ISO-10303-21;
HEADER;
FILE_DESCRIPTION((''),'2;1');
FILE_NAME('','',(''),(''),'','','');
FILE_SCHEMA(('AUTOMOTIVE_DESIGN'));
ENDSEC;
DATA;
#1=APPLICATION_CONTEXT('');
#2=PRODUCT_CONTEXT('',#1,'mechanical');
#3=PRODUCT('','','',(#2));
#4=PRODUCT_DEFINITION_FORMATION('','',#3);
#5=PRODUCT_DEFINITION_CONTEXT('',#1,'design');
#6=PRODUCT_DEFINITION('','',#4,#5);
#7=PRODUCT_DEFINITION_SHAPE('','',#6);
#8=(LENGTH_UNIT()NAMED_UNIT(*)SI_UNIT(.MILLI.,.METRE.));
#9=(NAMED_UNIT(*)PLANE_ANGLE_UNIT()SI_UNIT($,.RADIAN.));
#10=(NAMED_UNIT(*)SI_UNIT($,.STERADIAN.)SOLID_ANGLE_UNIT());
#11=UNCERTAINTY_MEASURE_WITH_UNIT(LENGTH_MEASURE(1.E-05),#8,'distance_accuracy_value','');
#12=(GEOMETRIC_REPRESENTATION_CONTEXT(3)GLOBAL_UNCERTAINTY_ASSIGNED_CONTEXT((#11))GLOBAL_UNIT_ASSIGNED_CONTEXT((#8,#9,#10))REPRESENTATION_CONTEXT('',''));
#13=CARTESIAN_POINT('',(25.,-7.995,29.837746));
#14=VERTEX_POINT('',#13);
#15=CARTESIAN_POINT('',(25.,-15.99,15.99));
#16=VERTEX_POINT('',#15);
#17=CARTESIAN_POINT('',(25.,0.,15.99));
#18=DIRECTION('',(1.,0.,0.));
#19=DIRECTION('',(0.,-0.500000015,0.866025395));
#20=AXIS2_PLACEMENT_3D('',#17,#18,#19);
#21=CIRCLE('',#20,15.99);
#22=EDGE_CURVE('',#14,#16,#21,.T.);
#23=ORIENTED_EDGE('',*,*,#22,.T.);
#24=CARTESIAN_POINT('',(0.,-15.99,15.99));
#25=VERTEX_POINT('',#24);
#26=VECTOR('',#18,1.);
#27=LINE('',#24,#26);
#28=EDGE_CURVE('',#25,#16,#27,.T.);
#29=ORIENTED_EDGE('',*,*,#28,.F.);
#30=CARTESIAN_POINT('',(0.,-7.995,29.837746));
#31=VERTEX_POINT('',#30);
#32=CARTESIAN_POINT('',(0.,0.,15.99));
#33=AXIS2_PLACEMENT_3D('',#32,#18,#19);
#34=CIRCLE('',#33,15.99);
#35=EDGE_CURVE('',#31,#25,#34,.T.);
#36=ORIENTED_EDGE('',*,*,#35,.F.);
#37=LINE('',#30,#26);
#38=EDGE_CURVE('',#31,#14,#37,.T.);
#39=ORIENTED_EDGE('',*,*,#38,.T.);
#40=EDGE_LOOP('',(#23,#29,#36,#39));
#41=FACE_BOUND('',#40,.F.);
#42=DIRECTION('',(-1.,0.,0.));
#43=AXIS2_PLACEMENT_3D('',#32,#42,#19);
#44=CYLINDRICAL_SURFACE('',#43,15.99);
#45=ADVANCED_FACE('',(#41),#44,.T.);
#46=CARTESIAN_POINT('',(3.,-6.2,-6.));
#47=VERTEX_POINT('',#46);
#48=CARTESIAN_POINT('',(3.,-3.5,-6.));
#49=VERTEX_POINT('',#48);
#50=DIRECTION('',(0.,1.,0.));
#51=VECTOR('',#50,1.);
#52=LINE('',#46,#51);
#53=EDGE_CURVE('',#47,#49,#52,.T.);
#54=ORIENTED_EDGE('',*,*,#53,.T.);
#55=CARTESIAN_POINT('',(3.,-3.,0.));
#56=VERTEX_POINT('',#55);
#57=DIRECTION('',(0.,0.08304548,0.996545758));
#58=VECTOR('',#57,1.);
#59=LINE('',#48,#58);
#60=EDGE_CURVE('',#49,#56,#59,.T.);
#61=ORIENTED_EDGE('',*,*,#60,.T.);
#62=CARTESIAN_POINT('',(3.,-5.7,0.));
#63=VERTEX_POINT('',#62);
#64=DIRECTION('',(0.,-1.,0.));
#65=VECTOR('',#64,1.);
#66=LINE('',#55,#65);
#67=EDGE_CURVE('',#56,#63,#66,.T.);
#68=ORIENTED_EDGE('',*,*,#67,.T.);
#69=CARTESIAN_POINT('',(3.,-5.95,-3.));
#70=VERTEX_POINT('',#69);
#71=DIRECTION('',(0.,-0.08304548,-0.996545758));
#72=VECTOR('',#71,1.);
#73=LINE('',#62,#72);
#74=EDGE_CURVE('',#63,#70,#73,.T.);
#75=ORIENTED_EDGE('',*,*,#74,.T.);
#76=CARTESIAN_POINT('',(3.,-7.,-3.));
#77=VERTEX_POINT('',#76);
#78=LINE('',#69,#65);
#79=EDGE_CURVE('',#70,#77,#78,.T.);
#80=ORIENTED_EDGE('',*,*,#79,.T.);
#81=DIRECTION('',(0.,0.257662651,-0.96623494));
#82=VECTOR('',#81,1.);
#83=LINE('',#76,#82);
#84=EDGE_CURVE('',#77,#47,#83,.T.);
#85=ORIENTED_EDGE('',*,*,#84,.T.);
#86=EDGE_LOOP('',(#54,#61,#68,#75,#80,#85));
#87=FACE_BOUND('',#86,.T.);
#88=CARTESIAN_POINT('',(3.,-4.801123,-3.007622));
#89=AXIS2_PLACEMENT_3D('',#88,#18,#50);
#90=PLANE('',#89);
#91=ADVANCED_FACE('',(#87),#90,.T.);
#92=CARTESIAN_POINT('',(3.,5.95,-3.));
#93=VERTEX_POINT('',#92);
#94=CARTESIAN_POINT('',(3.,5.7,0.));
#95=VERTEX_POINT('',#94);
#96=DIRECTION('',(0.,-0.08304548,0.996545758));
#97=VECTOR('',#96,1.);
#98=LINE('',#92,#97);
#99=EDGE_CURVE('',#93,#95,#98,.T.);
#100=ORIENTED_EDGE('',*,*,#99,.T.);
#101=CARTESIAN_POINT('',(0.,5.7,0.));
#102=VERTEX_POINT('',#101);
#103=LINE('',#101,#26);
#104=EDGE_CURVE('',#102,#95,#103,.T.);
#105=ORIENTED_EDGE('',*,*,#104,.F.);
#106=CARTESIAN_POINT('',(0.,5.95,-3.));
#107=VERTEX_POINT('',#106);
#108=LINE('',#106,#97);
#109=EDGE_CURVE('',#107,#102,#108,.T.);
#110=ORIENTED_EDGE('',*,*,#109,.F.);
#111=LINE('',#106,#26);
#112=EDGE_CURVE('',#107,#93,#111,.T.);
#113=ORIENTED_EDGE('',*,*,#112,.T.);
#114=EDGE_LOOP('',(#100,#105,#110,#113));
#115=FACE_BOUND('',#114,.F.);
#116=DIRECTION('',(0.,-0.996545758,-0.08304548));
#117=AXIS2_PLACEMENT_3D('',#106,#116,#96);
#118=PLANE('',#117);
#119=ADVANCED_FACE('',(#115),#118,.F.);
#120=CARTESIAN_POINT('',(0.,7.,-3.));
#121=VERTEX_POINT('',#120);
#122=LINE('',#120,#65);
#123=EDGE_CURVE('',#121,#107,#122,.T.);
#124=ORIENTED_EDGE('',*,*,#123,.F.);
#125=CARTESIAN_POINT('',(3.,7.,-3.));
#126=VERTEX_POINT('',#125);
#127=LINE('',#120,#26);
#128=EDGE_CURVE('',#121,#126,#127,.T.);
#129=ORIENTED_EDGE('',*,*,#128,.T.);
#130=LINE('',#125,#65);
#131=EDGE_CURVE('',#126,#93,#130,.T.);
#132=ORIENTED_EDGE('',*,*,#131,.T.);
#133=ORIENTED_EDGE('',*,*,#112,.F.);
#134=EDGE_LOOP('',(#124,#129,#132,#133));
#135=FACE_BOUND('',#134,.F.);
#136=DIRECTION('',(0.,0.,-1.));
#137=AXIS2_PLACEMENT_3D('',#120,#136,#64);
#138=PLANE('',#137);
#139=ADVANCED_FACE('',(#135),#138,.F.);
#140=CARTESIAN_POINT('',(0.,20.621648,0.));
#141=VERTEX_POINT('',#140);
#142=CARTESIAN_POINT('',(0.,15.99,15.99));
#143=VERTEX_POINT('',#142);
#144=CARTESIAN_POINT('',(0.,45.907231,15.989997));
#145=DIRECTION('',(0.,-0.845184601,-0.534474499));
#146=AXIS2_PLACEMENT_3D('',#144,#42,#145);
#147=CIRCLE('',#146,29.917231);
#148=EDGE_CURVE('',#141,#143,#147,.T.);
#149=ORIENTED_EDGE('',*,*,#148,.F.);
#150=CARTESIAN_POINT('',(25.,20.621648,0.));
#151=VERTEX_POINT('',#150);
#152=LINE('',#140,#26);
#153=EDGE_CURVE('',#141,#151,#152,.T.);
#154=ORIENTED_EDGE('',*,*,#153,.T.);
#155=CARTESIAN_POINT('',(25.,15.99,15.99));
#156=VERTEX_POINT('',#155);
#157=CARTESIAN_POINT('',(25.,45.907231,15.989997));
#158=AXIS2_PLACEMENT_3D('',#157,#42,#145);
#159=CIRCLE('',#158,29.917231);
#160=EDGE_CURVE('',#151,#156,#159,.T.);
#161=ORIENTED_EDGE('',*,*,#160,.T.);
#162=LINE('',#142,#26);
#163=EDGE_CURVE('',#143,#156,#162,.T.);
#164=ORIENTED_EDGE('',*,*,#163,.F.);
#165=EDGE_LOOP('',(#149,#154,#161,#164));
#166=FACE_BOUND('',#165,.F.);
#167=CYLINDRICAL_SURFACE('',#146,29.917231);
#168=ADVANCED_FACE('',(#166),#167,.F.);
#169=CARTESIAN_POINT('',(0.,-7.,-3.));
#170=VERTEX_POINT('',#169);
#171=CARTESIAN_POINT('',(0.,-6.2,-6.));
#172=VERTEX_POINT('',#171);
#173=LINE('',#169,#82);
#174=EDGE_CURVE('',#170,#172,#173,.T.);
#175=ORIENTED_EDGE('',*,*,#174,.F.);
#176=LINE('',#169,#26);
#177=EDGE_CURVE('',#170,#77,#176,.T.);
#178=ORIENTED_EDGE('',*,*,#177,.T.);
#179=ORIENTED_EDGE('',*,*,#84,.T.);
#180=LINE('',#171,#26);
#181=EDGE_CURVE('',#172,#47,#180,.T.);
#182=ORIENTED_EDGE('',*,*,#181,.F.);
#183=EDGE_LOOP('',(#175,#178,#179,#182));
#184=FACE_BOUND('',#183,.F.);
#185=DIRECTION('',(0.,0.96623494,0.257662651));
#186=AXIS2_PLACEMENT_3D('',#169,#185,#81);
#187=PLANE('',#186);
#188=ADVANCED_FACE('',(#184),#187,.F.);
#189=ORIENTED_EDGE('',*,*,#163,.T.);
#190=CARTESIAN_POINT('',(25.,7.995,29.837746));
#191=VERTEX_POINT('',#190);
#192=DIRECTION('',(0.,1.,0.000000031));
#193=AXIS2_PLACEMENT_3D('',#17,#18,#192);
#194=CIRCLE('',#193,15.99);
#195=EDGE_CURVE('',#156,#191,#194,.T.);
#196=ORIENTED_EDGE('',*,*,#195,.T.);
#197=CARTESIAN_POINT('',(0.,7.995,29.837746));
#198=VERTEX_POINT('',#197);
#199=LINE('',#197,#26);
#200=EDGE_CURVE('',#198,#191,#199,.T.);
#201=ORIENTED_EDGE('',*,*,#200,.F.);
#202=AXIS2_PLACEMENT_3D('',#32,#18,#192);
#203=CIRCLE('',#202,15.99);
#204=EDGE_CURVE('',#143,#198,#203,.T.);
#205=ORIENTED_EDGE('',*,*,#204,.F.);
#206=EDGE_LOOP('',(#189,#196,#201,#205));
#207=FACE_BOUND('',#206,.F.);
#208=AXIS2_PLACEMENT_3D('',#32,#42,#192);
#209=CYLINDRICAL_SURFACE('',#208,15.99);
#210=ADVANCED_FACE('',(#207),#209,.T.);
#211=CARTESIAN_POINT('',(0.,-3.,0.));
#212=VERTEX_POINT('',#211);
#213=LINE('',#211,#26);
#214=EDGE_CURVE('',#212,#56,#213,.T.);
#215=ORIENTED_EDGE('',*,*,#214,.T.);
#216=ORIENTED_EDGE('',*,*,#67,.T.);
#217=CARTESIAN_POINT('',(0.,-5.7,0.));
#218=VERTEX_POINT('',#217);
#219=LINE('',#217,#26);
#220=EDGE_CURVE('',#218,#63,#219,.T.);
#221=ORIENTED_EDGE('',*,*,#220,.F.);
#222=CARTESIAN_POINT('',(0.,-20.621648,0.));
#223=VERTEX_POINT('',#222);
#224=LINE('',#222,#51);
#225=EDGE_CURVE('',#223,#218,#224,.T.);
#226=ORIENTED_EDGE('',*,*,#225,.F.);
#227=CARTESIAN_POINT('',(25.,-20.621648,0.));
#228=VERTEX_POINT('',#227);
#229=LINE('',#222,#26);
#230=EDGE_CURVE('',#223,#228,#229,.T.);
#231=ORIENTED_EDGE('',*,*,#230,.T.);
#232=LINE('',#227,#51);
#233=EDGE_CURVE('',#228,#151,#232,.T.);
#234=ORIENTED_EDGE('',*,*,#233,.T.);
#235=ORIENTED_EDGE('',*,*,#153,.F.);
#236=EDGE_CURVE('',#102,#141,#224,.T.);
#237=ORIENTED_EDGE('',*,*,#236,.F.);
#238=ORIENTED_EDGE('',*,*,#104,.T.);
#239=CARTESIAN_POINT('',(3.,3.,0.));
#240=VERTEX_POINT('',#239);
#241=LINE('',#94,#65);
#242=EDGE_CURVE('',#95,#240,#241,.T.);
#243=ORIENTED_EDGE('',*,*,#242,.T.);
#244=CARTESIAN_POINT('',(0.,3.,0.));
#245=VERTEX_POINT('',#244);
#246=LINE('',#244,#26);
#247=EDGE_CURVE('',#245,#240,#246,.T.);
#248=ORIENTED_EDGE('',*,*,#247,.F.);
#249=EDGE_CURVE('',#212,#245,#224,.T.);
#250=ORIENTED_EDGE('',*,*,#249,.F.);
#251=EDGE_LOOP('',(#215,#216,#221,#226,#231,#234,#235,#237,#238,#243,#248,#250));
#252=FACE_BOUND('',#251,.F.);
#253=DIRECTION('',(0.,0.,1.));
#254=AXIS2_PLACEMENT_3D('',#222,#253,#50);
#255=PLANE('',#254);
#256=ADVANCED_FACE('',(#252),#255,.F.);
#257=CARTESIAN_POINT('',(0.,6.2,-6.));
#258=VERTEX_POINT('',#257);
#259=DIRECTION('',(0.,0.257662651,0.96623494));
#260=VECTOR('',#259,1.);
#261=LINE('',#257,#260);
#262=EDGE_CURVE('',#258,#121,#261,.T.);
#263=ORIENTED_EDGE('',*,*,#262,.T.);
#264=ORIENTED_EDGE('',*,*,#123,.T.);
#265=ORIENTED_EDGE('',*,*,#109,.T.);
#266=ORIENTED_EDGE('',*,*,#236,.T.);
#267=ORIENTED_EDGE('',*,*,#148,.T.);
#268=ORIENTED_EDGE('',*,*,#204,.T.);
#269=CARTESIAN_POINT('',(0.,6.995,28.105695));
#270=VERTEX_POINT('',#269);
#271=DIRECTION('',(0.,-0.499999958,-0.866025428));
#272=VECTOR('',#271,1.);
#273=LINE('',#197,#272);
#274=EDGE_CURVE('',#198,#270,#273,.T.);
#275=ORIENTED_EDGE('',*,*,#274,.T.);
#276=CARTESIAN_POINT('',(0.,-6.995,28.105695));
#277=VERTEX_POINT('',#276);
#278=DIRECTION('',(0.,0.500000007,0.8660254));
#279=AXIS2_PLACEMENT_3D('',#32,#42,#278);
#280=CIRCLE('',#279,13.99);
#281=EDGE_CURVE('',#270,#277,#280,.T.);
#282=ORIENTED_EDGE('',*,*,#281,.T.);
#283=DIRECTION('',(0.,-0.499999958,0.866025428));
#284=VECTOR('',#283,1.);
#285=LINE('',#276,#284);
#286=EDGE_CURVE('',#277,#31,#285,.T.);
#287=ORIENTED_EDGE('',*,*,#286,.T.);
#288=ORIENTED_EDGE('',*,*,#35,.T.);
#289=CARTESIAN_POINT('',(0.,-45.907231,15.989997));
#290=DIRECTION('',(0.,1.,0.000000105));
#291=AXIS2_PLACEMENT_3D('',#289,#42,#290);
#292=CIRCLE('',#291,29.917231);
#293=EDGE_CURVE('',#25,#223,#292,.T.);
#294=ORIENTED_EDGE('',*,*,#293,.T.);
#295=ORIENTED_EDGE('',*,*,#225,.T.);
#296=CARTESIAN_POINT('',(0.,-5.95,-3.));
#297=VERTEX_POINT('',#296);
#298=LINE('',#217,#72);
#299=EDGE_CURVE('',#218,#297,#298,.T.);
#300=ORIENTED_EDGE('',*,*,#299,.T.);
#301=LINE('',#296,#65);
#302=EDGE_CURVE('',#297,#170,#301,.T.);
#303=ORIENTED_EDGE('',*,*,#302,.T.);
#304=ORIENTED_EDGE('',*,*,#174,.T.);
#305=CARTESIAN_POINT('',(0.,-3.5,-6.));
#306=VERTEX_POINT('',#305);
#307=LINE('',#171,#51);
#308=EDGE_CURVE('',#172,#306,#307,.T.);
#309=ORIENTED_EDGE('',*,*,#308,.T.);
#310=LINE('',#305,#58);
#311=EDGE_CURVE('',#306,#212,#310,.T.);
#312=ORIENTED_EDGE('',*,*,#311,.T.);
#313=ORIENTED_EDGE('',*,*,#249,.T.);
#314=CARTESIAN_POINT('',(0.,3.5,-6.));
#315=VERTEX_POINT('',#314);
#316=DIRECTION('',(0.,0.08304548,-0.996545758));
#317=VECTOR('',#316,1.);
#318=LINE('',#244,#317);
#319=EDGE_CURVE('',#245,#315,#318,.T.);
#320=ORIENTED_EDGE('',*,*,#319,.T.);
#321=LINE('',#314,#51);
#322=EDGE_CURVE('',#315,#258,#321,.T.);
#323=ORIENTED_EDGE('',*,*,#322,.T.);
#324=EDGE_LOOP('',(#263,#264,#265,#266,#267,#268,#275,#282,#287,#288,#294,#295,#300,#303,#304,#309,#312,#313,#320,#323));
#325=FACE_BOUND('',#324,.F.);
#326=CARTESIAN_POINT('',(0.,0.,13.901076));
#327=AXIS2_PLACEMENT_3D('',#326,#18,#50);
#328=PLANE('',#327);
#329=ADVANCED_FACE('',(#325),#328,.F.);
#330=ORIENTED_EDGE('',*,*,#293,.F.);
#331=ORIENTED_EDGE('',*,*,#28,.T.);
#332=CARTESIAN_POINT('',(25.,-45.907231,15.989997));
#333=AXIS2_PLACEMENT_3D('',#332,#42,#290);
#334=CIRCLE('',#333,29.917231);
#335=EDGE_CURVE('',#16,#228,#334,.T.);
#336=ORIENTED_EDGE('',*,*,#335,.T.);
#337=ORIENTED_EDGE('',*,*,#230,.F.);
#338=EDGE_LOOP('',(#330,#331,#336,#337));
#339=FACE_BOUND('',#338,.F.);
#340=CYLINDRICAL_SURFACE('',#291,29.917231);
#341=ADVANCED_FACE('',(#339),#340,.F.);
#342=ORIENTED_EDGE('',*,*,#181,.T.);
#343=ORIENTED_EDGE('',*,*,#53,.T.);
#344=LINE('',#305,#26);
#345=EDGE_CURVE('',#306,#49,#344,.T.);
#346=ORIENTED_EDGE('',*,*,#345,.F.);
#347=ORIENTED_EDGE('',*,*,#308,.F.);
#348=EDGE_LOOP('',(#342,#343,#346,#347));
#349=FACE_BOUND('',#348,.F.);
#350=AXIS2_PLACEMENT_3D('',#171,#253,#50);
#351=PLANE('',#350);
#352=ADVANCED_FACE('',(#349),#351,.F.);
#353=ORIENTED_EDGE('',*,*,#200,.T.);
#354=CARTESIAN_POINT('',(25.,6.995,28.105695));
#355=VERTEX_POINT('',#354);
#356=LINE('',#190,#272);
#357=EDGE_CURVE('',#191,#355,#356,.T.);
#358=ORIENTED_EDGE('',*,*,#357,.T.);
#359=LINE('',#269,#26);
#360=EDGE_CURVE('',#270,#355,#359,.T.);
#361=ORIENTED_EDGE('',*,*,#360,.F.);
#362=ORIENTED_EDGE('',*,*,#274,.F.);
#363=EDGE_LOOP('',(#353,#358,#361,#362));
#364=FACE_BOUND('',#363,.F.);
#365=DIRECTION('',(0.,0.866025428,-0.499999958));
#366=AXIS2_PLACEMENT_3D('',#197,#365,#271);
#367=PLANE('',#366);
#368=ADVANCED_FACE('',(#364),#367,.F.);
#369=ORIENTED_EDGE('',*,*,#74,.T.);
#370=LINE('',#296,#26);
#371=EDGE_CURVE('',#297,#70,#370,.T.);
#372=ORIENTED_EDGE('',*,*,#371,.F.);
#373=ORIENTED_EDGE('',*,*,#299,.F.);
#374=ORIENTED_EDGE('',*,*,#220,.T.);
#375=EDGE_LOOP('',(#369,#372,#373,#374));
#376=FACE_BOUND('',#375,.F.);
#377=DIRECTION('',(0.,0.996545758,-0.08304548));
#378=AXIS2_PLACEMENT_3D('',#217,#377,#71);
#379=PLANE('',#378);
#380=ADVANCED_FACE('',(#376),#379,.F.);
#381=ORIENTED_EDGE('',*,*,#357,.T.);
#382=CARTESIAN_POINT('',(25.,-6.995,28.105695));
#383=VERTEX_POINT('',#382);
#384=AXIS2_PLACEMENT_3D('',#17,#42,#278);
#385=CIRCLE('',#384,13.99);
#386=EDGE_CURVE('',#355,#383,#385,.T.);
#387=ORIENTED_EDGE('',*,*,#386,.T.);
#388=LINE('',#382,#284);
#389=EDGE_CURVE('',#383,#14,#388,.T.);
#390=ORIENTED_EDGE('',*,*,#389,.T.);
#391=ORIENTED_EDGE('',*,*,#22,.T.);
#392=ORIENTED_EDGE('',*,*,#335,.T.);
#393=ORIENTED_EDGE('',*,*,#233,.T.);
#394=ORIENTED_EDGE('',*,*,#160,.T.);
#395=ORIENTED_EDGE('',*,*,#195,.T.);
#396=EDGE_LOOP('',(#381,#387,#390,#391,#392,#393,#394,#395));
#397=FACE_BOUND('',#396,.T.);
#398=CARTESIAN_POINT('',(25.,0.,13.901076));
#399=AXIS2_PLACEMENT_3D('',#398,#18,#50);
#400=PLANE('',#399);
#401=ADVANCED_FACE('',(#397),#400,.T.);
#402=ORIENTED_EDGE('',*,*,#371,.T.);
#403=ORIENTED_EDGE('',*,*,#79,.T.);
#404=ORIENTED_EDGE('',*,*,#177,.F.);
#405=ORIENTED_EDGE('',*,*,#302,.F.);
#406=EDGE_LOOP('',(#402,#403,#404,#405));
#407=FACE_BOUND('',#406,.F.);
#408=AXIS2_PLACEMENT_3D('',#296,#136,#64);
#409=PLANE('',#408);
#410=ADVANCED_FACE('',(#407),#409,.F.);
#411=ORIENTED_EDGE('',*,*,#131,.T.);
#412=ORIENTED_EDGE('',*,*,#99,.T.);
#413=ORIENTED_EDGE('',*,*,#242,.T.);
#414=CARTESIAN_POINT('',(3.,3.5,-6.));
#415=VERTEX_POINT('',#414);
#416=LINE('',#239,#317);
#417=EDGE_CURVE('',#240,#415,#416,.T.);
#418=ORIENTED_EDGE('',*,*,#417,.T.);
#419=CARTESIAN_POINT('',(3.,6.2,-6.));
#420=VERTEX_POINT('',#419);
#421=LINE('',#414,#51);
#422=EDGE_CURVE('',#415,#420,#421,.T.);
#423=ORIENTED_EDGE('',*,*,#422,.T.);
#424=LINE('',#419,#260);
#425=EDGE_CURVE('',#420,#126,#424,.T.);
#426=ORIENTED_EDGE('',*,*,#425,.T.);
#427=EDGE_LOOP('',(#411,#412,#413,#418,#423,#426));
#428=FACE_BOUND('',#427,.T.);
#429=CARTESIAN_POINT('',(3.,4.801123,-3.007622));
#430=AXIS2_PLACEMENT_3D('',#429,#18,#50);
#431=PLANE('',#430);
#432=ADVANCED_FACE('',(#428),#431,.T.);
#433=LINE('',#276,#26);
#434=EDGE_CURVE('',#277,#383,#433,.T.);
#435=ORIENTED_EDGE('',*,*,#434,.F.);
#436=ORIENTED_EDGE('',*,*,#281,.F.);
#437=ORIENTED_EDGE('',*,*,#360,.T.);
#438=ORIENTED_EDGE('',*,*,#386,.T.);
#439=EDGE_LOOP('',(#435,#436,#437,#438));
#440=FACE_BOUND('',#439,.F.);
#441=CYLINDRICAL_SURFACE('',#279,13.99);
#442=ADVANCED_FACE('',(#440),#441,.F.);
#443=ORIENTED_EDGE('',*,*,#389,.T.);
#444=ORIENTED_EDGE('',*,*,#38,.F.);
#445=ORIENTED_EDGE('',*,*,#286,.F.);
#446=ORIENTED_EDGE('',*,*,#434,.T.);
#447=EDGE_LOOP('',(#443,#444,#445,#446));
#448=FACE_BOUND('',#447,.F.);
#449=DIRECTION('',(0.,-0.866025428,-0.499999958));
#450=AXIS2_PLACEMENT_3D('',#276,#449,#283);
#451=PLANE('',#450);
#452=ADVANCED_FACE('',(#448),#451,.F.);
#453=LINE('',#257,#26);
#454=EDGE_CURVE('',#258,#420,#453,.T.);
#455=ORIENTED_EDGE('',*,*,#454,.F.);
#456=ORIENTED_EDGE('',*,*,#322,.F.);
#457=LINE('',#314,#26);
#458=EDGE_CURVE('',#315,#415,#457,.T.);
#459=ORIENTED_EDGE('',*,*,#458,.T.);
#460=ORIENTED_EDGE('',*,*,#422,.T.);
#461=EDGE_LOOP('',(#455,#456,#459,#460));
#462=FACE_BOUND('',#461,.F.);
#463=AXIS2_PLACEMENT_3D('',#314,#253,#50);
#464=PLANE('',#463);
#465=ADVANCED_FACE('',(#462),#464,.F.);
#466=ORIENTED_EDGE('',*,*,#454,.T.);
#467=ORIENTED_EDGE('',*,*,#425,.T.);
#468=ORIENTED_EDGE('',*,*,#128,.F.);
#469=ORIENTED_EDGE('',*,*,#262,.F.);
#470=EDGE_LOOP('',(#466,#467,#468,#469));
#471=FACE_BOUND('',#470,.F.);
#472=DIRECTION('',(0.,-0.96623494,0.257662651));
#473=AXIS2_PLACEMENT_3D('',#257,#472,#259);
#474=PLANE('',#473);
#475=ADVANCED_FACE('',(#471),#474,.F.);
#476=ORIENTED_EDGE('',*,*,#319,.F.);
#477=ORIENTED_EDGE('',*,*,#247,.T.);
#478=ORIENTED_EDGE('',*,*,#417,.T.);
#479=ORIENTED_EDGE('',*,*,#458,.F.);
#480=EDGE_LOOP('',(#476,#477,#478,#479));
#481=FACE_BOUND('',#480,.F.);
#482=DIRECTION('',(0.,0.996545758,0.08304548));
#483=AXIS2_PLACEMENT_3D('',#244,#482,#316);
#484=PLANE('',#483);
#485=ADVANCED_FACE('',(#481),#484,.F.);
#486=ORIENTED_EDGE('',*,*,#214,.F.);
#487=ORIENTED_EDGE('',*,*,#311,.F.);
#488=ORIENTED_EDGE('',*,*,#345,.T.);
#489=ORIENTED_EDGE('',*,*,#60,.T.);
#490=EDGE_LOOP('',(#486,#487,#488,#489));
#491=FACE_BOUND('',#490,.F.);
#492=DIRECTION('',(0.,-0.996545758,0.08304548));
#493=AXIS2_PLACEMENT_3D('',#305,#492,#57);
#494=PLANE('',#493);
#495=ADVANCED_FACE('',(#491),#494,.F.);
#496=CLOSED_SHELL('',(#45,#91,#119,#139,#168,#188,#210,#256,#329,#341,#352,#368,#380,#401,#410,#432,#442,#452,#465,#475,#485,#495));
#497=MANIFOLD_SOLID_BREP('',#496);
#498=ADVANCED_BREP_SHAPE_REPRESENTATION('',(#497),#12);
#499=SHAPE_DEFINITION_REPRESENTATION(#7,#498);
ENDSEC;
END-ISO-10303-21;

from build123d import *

# Parameters (mm, degrees)
F1_DEPTH = 25
F3_DEPTH = 3


with BuildPart() as f1:
    # F0 (on Right) → F1 (new body)
    with BuildSketch(Plane.YZ):
        with BuildLine():
            ThreePointArc((6.995, 28.105695), (0, 2), (-6.995, 28.105695))
            Line((-6.995, 28.105695), (-7.995, 29.837746))
            ThreePointArc((-7.995, 29.837746), (-13.847746, 23.985), (-15.99, 15.99))
            ThreePointArc((-15.99, 15.99), (-11.306637, 4.683363), (0, 0))
            ThreePointArc((0, 0), (11.306637, 4.683363), (15.99, 15.99))
            ThreePointArc((15.99, 15.99), (13.847746, 23.985), (7.995, 29.837746))
            Line((7.995, 29.837746), (6.995, 28.105695))
        make_face()
        with BuildLine():
            ThreePointArc((0, 0), (-11.306637, 4.683363), (-15.99, 15.99))
            ThreePointArc((-15.99, 15.99), (-17.171231, 7.666355), (-20.621648, 0))
            Line((-20.621648, 0), (0, 0))
        make_face()
        with BuildLine():
            ThreePointArc((20.621648, 0), (17.171231, 7.666355), (15.99, 15.99))
            ThreePointArc((15.99, 15.99), (11.306637, 4.683363), (0, 0))
            Line((0, 0), (20.621648, 0))
        make_face()
    extrude(amount=F1_DEPTH)

    # F2 (on Right) → F3 (join)
    with BuildSketch(Plane.YZ):
        Polygon((5.7, 0), (3, 0), (3.5, -6), (6.2, -6), (7, -3), (5.95, -3), align=None)
        Polygon((-5.95, -3), (-7, -3), (-6.2, -6), (-3.5, -6), (-3, 0), (-5.7, 0), align=None)
    extrude(amount=F3_DEPTH)


solid = f1.part
